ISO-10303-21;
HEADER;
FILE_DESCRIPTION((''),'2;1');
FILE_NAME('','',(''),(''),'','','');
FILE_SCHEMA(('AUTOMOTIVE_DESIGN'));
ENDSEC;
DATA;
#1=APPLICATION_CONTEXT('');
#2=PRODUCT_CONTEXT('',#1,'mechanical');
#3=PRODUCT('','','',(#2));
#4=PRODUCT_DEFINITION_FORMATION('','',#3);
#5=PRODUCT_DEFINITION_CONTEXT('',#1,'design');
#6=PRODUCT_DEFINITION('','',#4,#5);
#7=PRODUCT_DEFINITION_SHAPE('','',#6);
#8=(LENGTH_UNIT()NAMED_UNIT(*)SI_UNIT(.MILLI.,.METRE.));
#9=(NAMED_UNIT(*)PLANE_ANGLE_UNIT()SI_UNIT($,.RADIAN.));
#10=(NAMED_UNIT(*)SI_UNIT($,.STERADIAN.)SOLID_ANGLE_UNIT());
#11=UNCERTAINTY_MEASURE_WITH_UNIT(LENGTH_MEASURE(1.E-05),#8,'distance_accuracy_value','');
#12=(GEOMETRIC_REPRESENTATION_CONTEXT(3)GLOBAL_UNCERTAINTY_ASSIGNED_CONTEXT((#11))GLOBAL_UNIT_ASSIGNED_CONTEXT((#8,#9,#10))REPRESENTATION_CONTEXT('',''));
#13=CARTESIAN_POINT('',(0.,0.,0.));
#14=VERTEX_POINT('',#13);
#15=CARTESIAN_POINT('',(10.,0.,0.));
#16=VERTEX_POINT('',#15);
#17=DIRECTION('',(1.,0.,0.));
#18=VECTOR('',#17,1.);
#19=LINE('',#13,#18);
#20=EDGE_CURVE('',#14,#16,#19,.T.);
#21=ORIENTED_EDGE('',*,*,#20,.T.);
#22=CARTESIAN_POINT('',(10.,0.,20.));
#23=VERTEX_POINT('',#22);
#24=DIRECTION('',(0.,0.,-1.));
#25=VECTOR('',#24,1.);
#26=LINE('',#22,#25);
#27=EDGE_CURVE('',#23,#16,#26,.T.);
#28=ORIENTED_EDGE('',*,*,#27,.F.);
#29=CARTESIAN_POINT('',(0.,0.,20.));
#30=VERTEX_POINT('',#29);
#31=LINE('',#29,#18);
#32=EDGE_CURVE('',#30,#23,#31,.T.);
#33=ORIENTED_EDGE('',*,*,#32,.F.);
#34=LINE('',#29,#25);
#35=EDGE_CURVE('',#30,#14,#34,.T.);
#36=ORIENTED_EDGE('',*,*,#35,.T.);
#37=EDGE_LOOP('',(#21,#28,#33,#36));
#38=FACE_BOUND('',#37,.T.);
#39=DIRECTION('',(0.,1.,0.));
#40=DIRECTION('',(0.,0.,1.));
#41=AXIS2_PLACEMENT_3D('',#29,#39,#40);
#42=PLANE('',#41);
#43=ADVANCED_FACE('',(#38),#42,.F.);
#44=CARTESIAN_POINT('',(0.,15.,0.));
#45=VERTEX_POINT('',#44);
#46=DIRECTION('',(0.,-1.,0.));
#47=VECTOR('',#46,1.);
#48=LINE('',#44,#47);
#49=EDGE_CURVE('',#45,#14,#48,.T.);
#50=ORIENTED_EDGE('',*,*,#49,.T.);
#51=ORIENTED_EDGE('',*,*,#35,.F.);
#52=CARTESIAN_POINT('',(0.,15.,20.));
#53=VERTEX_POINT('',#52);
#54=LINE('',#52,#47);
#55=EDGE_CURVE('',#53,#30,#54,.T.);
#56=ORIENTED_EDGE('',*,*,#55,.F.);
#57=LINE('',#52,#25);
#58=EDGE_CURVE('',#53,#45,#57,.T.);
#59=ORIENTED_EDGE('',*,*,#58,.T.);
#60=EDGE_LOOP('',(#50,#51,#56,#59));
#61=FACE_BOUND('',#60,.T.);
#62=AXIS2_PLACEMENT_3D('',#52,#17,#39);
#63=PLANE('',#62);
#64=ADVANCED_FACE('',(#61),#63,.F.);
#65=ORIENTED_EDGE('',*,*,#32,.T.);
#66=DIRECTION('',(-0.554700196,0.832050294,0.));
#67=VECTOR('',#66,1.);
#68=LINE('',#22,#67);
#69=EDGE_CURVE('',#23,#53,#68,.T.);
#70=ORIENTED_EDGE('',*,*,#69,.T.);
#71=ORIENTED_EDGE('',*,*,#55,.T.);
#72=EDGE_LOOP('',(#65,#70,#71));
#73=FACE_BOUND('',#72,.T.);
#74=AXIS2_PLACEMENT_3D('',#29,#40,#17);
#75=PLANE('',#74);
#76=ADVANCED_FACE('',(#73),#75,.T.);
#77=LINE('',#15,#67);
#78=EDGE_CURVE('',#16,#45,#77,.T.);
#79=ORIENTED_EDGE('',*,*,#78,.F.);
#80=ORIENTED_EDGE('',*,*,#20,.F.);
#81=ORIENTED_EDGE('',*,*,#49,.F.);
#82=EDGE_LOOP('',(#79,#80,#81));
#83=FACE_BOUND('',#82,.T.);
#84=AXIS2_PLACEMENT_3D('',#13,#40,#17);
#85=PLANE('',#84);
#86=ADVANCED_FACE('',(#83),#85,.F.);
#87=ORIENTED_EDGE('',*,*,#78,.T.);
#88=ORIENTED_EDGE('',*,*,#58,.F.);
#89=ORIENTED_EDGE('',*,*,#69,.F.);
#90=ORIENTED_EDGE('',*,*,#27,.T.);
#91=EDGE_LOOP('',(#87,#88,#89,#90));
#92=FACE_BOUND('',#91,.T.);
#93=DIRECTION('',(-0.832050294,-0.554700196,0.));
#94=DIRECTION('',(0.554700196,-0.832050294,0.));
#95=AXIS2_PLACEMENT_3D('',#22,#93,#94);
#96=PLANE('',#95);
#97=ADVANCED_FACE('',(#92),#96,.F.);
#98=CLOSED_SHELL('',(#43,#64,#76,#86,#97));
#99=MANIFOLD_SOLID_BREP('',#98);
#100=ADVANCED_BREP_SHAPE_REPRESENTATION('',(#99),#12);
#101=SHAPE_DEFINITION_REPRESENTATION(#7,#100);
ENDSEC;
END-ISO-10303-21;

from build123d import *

# Parameters (mm, degrees)
WEDGE_10_15_20_DEPTH = 20


with BuildPart() as part:
    # Croquis1 → Wedge 10 15 20 (new body)
    with BuildSketch(Plane.XY):
        Polygon((0, 0), (10, 0), (0, 15), align=None)
    extrude(amount=WEDGE_10_15_20_DEPTH)


solid = part.part
